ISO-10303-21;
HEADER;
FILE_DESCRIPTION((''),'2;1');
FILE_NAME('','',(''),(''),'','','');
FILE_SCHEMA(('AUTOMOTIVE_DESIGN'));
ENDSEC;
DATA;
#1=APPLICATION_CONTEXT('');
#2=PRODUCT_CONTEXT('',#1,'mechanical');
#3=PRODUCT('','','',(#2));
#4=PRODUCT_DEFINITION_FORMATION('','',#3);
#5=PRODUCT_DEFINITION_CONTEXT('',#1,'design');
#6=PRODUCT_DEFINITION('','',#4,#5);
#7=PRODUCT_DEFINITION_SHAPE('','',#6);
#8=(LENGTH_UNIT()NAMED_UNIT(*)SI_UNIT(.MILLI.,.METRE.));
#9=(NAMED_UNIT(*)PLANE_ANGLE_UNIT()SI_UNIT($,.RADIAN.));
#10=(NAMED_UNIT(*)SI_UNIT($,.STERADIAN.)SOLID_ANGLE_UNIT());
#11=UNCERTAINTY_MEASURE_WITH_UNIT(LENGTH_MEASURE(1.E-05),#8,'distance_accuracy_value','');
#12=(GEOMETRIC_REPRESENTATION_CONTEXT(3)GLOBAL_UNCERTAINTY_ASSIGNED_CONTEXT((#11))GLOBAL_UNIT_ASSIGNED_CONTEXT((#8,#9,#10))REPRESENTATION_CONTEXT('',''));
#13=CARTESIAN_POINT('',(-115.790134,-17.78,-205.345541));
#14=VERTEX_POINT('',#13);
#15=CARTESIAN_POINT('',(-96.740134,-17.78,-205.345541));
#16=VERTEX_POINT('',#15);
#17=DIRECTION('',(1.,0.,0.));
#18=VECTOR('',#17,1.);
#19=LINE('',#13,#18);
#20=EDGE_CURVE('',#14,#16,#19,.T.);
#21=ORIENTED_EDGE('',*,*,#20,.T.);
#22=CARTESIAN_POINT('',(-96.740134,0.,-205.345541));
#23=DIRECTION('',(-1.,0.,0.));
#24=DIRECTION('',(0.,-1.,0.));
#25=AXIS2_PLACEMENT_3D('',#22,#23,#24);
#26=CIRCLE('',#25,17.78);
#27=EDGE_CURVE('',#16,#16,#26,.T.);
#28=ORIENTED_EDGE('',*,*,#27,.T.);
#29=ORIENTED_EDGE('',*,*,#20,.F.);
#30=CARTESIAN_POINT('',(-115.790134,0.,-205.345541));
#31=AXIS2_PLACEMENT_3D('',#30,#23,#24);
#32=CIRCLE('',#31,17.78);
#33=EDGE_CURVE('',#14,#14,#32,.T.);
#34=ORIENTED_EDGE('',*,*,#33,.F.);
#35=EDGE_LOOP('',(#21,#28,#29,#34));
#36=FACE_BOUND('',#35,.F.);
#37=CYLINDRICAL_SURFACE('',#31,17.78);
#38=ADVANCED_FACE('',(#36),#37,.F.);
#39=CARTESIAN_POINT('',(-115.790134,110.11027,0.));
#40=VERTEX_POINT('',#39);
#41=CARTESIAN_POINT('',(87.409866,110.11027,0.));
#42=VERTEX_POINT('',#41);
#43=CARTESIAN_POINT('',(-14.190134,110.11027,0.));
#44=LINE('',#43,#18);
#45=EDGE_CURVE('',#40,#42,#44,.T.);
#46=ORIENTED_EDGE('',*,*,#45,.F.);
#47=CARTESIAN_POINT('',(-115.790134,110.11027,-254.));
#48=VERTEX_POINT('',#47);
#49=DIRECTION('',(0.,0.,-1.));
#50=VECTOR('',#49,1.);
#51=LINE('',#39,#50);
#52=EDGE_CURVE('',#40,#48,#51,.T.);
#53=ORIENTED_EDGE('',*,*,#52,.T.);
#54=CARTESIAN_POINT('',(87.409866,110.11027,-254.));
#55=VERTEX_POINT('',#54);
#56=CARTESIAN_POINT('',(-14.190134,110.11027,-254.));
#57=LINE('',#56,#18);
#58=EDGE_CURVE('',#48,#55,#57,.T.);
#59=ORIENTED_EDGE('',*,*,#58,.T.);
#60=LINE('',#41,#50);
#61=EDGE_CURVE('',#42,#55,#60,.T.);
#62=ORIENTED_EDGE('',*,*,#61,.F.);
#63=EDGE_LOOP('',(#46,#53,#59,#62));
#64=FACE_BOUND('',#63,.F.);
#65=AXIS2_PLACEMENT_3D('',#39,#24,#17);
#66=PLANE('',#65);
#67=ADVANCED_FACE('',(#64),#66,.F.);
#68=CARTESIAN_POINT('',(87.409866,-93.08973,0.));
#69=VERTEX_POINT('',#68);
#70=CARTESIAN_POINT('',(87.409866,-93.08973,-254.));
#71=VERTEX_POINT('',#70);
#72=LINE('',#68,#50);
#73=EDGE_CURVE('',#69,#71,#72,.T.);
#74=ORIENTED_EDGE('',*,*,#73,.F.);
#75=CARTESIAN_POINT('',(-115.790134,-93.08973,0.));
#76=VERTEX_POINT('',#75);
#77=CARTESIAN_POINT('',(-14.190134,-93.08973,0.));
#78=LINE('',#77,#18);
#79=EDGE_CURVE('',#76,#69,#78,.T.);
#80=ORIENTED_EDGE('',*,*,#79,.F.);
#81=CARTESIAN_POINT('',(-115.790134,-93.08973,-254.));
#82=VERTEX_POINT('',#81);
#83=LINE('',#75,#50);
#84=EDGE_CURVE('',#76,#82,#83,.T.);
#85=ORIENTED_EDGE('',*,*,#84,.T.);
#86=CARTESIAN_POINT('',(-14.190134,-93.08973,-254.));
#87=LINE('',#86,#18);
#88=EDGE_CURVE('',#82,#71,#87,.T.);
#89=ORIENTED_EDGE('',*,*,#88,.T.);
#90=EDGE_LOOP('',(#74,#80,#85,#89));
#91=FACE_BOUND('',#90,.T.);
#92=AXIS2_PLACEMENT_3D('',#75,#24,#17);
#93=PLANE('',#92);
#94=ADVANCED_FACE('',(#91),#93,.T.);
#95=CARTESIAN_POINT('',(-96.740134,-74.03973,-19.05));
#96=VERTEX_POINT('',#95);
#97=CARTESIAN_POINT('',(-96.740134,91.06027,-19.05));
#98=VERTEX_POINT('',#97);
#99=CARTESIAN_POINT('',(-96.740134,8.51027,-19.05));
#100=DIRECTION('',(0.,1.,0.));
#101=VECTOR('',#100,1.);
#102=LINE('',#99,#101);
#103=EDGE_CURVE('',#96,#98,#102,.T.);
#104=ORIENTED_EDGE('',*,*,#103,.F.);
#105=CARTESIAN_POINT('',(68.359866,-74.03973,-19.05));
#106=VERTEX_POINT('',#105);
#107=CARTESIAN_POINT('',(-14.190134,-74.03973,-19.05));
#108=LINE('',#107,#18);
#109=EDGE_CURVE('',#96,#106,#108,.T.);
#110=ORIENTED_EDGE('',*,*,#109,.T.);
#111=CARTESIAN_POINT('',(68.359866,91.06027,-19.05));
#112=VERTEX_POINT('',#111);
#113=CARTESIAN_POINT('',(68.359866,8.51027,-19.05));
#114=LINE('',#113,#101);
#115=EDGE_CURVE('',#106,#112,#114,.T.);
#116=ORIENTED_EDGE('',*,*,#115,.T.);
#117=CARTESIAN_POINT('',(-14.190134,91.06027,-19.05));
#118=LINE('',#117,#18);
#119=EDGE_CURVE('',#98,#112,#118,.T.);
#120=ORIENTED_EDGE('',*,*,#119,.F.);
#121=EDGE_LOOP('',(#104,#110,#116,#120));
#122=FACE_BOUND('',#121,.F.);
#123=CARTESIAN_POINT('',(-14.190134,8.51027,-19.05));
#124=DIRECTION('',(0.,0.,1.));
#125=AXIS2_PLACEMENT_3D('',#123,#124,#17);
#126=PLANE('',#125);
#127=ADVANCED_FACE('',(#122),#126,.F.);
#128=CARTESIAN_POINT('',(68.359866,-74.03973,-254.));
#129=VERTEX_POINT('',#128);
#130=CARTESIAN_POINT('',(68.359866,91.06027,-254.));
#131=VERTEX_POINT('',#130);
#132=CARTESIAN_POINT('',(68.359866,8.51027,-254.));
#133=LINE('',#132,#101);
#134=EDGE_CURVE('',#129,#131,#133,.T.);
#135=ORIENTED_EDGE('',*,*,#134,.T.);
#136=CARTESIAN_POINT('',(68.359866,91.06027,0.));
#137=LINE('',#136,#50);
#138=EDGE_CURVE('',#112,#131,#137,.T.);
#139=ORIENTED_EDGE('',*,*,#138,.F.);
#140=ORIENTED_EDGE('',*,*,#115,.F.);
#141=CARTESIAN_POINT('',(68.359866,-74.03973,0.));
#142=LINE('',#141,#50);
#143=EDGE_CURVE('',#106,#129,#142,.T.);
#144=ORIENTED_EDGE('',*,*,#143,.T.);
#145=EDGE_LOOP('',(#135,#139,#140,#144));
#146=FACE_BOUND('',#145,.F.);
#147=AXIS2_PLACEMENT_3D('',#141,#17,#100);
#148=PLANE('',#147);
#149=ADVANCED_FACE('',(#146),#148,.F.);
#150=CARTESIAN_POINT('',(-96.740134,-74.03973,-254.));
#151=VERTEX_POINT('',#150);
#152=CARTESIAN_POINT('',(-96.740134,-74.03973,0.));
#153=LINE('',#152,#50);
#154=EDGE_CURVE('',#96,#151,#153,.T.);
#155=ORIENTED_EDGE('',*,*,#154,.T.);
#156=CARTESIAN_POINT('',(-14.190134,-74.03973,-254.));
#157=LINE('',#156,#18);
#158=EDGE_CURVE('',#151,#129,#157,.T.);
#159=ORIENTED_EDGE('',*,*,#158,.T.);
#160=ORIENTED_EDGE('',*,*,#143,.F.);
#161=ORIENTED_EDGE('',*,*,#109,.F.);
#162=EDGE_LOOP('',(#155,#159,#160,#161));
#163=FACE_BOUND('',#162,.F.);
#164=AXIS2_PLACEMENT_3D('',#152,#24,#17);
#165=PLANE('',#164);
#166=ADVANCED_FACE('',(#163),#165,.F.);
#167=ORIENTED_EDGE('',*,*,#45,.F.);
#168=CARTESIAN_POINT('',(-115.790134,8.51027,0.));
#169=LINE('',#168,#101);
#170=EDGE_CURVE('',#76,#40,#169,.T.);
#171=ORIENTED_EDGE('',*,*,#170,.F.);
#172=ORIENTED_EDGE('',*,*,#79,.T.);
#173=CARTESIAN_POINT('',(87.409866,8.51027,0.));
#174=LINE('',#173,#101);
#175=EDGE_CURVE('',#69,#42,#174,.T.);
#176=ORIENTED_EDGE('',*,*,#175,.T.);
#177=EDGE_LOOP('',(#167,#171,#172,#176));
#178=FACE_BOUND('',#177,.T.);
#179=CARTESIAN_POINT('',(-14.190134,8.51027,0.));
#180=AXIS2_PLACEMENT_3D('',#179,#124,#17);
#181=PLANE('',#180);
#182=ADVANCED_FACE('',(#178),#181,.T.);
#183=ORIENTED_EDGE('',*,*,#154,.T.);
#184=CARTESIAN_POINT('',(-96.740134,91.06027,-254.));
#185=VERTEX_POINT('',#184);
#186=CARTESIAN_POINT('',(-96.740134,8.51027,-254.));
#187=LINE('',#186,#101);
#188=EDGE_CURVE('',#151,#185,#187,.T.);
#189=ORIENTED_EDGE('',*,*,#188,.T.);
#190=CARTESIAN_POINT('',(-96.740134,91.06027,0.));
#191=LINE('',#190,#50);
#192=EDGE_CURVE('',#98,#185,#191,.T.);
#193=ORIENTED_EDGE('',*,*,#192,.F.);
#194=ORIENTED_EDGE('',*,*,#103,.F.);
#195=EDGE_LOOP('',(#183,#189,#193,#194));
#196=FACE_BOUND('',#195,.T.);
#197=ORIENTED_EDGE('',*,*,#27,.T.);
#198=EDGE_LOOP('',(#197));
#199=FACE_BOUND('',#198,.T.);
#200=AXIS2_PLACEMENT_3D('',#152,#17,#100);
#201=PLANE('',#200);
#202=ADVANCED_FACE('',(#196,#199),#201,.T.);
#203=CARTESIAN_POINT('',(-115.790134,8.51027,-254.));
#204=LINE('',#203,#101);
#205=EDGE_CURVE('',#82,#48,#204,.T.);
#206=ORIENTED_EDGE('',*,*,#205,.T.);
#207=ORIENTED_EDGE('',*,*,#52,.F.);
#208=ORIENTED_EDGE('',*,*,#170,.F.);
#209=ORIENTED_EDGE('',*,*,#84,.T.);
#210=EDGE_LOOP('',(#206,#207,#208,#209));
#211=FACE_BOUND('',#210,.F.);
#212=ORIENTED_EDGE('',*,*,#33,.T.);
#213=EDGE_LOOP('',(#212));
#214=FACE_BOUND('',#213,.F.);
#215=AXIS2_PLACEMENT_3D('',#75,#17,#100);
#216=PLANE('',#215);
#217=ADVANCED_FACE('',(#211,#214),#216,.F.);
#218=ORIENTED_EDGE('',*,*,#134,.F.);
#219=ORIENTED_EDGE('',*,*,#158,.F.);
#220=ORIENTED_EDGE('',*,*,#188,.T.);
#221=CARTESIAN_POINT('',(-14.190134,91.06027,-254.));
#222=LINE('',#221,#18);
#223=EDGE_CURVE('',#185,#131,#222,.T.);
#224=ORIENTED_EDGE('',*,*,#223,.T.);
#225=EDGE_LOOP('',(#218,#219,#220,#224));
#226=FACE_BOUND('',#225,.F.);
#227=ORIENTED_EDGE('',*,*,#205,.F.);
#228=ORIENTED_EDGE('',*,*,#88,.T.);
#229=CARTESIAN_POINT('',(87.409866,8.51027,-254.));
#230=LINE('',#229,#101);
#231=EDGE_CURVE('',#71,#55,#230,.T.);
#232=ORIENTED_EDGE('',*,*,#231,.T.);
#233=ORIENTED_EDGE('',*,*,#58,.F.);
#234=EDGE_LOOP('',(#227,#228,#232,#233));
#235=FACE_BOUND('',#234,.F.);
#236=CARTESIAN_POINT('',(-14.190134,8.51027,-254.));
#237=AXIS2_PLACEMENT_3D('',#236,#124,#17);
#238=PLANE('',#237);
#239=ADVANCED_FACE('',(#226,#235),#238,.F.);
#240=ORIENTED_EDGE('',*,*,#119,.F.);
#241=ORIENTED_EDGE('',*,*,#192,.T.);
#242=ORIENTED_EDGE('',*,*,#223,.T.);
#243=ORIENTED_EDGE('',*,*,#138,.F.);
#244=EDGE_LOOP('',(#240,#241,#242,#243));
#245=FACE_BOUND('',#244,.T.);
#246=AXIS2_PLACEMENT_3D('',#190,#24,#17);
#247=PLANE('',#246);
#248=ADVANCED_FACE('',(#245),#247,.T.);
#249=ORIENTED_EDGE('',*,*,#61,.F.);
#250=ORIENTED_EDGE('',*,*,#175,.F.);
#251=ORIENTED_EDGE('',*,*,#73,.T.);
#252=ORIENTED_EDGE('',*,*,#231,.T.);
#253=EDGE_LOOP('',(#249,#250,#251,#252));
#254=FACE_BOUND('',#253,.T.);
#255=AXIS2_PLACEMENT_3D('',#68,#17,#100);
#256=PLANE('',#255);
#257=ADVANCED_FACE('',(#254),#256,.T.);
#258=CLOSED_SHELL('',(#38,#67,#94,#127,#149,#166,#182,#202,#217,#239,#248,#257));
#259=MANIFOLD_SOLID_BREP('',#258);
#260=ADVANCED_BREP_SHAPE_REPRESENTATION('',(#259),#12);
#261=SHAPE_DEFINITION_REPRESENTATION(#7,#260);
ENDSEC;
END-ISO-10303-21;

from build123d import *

# Parameters (mm, degrees)
F0_W     = 203.2
F0_H     = 203.2
F0_W_2   = 165.1
F0_H_2   = 165.1
F1_DEPTH = 254
F2_DEPTH = 19.05
F3_R     = 17.78
F4_DEPTH = 25.4


with BuildPart() as f1:
    # F0 (on Top) → F1 (new body)
    with BuildSketch(Plane.XY):
        with Locations((-14.190134, 8.51027)):
            Rectangle(F0_W, F0_H)
        with Locations((-14.190134, 8.51027)):
            Rectangle(F0_W_2, F0_H_2, mode=Mode.SUBTRACT)
    extrude(amount=-F1_DEPTH)

    # F0 (on Top) → F2 (join)
    with BuildSketch(Plane.XY):
        with Locations((-14.190134, 8.51027)):
            Rectangle(F0_W_2, F0_H_2)
    extrude(amount=-F2_DEPTH)

    # F3 (on face) → F4 (cut)
    with BuildSketch(Plane(origin=(-115.790134, 0, 0), x_dir=(0, -1, 0), z_dir=(-1, 0, 0))):
        with Locations((0, -205.345541)):
            Circle(F3_R)
    extrude(amount=-F4_DEPTH, mode=Mode.SUBTRACT)


solid = f1.part
